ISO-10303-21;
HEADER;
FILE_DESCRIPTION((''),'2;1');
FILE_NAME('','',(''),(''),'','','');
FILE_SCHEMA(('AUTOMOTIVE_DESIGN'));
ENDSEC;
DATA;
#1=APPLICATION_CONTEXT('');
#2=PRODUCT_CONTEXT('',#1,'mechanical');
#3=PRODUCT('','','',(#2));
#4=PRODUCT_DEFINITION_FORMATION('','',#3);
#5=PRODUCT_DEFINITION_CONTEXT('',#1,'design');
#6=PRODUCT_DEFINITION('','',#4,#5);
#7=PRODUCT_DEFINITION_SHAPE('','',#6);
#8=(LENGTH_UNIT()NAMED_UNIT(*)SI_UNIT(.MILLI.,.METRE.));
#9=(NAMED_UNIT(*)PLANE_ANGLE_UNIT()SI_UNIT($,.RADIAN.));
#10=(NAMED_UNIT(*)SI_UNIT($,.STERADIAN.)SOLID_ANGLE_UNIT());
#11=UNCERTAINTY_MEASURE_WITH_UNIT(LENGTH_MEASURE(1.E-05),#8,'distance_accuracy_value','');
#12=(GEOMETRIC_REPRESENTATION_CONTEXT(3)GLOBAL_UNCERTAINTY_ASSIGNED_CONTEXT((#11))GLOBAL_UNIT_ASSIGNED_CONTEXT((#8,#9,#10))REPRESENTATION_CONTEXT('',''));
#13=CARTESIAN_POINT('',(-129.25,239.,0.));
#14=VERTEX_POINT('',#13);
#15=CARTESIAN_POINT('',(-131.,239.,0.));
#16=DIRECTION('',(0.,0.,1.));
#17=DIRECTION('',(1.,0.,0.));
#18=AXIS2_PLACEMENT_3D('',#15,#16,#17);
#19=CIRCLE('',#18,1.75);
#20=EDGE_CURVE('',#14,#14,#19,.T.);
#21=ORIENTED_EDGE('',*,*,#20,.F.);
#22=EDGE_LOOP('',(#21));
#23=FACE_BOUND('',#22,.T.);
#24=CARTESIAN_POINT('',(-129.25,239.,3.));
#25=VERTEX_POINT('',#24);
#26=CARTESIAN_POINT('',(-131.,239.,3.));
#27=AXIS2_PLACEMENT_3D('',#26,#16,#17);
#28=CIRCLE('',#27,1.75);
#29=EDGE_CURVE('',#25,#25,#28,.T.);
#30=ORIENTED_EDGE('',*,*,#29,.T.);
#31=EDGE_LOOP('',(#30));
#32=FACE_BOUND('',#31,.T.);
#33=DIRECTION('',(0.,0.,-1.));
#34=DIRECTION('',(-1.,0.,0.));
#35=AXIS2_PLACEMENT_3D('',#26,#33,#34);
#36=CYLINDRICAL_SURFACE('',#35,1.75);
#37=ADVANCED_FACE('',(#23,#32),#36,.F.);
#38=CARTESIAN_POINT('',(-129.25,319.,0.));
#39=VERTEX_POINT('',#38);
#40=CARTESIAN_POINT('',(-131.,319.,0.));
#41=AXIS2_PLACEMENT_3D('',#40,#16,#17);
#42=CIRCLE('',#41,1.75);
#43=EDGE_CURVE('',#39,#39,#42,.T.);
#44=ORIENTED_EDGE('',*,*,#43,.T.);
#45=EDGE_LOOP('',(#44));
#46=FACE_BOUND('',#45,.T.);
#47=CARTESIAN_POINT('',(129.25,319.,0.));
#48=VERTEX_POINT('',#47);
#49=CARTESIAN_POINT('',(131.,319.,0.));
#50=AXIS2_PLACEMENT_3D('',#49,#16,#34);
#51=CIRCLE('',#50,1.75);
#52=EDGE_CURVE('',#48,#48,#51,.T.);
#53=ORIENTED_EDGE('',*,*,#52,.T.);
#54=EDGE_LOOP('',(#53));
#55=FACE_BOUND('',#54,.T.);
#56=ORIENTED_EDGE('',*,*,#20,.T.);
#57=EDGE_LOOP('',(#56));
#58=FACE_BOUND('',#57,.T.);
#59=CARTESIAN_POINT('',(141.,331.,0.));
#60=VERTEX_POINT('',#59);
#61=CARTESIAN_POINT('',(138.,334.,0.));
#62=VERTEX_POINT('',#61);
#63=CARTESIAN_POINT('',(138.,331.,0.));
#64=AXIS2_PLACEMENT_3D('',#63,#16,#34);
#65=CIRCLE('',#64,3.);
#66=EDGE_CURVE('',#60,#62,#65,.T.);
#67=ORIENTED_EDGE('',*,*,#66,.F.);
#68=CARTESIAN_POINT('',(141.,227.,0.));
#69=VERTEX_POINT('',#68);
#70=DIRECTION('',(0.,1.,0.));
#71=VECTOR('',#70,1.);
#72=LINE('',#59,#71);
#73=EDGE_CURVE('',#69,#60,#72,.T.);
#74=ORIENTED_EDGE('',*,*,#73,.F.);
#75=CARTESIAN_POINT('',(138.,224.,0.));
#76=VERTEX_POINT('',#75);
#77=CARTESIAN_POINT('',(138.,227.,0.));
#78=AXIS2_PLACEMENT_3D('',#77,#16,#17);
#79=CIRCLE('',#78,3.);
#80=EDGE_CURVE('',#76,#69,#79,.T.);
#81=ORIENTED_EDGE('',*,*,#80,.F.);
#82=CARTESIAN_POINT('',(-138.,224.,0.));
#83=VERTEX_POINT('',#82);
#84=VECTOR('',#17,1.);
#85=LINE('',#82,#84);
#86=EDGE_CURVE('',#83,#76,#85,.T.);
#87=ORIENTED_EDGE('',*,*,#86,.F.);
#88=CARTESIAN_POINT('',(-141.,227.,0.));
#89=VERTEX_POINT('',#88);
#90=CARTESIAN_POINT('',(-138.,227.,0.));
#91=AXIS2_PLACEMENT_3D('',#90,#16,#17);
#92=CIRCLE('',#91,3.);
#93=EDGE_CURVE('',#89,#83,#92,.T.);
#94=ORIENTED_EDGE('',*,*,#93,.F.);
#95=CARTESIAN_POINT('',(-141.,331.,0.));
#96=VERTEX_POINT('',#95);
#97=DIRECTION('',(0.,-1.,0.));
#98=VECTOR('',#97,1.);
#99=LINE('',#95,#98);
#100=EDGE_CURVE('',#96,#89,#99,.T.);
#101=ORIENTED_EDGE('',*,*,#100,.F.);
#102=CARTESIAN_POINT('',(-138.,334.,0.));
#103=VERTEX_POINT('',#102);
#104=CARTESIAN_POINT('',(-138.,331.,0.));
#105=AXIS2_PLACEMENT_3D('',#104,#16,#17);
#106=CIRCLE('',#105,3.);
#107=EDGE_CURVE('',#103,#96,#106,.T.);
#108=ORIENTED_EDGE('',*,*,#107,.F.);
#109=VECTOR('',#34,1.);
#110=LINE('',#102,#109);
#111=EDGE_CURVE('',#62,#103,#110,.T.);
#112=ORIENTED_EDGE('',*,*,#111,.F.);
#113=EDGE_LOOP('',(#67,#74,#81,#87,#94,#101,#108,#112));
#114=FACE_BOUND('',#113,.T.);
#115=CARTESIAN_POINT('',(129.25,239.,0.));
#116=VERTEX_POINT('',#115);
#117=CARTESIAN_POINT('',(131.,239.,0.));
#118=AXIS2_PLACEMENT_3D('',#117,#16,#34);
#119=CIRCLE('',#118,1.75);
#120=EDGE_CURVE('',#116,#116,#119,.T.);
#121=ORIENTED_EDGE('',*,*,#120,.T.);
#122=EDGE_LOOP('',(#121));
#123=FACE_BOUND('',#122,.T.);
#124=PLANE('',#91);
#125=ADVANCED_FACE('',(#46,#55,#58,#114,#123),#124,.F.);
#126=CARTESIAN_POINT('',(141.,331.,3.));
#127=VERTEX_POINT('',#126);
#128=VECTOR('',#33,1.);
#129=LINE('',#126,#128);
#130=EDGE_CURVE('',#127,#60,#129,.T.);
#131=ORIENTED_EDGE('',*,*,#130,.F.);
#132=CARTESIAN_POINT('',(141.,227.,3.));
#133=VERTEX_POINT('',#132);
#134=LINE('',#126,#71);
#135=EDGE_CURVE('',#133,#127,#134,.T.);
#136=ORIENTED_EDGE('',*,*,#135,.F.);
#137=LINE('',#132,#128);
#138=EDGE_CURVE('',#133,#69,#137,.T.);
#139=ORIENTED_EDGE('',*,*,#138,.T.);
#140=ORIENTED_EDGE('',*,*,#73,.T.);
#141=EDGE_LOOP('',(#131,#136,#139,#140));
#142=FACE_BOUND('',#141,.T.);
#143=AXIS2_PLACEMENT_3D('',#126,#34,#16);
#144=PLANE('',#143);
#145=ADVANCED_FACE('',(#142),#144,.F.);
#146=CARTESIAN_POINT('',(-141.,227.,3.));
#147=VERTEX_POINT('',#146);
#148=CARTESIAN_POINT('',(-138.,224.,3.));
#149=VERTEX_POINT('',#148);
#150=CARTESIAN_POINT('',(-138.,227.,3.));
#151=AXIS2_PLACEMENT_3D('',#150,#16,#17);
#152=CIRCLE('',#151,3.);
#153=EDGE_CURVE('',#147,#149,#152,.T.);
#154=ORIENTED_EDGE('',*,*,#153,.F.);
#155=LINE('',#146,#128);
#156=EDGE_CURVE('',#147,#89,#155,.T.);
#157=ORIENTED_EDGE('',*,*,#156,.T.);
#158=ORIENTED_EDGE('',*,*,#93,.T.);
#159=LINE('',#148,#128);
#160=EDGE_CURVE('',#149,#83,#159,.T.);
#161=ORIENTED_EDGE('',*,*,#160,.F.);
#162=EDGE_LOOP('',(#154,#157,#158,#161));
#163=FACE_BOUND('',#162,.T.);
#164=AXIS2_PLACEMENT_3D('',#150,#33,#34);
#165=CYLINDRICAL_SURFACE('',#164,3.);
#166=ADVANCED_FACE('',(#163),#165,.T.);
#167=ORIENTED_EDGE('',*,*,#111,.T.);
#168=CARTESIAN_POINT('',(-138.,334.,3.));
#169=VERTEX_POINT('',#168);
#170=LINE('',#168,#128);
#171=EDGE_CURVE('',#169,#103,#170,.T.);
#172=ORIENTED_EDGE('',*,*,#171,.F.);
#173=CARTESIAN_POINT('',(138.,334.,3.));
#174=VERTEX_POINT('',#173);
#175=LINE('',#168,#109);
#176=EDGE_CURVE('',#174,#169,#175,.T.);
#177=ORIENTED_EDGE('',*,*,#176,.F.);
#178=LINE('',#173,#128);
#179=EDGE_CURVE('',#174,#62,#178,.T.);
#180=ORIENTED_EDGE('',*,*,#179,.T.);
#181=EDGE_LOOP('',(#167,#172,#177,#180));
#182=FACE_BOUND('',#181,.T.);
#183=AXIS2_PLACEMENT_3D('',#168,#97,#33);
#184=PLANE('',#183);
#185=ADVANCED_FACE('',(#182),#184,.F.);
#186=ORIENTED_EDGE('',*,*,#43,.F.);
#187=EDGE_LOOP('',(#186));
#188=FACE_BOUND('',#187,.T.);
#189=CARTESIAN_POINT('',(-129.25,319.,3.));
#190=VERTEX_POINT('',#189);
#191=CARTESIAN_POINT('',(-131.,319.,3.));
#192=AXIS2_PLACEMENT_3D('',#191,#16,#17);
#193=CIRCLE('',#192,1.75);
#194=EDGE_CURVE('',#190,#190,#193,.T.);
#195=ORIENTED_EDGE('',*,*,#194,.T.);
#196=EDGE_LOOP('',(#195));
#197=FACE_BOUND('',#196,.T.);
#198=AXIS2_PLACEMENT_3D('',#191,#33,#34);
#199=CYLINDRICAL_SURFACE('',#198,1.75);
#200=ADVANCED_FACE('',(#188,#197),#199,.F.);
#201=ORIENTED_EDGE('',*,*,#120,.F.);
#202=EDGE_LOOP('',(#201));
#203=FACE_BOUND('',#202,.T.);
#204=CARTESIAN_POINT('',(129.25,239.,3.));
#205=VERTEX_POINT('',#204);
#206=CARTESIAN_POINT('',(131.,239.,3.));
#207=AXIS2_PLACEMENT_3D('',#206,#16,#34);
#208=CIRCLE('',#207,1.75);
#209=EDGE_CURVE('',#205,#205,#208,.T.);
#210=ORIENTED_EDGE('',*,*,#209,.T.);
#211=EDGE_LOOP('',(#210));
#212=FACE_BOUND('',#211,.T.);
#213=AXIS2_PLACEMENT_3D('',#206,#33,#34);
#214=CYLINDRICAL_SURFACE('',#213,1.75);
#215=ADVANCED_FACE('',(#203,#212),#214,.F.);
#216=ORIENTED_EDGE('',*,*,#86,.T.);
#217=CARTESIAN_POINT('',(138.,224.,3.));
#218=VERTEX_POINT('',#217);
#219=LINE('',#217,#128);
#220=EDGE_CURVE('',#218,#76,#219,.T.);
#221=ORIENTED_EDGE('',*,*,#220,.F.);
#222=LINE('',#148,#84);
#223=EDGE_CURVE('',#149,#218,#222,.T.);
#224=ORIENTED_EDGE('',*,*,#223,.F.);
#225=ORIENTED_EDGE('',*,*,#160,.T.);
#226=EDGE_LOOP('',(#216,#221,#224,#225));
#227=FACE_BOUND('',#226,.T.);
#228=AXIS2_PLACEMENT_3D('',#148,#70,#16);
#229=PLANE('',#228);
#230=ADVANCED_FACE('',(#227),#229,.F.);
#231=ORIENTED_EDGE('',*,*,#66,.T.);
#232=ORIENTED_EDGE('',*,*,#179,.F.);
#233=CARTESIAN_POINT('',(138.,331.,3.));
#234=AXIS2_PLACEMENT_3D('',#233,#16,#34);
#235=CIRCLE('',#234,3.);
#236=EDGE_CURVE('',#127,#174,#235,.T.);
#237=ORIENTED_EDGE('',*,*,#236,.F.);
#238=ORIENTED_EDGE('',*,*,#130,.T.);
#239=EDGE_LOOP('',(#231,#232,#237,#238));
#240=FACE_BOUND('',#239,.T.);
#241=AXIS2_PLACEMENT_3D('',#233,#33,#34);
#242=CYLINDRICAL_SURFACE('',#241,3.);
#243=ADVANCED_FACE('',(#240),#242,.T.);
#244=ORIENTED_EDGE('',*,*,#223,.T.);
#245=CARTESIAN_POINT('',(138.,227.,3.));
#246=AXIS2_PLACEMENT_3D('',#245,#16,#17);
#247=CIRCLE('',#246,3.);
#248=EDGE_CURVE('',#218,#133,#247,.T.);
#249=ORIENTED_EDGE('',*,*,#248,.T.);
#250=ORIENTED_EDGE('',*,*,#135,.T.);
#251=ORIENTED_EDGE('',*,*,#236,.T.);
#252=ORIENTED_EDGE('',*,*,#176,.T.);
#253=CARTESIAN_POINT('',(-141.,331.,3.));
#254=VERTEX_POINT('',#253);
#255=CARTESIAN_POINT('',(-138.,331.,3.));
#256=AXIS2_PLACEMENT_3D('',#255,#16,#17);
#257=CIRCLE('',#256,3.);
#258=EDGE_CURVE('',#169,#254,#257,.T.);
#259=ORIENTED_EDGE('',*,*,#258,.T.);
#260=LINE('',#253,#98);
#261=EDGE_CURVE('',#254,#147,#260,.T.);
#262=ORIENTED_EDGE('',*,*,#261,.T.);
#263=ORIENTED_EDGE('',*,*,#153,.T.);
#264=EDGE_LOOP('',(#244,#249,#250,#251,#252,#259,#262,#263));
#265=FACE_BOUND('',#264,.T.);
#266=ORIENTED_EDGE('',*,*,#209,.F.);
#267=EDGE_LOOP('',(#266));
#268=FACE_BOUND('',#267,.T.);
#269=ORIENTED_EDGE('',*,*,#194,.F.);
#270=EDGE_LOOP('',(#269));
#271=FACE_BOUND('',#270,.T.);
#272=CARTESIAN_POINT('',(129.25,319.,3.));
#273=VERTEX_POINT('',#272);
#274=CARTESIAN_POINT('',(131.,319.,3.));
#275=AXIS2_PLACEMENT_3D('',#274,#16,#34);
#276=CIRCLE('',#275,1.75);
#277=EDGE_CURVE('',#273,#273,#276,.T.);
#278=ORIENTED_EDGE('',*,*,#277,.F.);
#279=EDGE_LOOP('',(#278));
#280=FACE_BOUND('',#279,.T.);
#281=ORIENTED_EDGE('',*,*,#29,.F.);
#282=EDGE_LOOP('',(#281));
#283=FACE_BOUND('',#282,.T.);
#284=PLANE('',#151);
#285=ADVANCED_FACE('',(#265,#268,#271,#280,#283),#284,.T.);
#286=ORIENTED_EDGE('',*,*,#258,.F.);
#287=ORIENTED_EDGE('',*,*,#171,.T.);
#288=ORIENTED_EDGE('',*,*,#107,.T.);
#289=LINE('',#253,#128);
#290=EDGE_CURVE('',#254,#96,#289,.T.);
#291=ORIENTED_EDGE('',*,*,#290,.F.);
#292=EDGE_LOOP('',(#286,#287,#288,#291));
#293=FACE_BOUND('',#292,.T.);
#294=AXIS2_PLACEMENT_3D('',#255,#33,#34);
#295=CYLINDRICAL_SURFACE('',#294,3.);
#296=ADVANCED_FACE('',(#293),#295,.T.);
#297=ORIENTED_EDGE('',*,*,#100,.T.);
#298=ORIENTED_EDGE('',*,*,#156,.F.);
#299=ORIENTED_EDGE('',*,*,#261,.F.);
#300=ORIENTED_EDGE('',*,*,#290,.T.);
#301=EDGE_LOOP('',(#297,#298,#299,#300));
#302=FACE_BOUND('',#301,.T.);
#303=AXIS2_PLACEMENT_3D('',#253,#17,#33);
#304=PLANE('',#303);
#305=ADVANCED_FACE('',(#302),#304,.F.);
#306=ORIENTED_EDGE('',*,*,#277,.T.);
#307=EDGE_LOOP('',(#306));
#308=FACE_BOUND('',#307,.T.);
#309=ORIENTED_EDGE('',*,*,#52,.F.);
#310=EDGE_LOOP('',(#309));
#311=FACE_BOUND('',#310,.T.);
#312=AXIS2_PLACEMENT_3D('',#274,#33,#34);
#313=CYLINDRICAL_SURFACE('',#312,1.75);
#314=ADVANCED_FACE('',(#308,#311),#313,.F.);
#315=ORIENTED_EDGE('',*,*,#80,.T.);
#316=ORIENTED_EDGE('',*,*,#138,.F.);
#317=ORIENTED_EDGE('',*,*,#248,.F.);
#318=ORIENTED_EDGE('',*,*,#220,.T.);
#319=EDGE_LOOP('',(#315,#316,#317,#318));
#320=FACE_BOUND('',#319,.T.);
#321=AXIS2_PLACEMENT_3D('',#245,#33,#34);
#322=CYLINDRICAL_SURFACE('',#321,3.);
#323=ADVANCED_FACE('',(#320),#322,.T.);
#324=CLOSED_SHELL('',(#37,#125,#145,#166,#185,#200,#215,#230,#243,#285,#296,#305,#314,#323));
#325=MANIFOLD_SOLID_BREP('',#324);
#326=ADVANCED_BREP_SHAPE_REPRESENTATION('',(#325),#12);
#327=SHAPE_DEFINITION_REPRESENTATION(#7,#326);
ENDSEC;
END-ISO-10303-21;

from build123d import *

# Parameters (mm, degrees)
SKETCH1_R           = 1.75
BOSS_EXTRUDE1_DEPTH = 3


with BuildPart() as part:
    # Sketch1 → Boss-Extrude1 (new body)
    with BuildSketch(Plane.XY):
        with BuildLine():
            Line((-138, 334), (138, 334))
            ThreePointArc((138, 334), (140.121320344, 333.121320344), (141, 331))
            Line((141, 331), (141, 227))
            ThreePointArc((141, 227), (140.121320344, 224.878679656), (138, 224))
            Line((138, 224), (-138, 224))
            ThreePointArc((-138, 224), (-140.121320344, 224.878679656), (-141, 227))
            Line((-141, 227), (-141, 331))
            ThreePointArc((-141, 331), (-140.121320344, 333.121320344), (-138, 334))
        make_face()
        with Locations((-131, 319)):
            Circle(SKETCH1_R, mode=Mode.SUBTRACT)
        with Locations((-131, 239)):
            Circle(SKETCH1_R, mode=Mode.SUBTRACT)
        with Locations(Location((131, 239, 0), (0, 0, 180))):
            Circle(SKETCH1_R, mode=Mode.SUBTRACT)
        with Locations(Location((131, 319, 0), (0, 0, 180))):
            Circle(SKETCH1_R, mode=Mode.SUBTRACT)
    extrude(amount=BOSS_EXTRUDE1_DEPTH)


solid = part.part
